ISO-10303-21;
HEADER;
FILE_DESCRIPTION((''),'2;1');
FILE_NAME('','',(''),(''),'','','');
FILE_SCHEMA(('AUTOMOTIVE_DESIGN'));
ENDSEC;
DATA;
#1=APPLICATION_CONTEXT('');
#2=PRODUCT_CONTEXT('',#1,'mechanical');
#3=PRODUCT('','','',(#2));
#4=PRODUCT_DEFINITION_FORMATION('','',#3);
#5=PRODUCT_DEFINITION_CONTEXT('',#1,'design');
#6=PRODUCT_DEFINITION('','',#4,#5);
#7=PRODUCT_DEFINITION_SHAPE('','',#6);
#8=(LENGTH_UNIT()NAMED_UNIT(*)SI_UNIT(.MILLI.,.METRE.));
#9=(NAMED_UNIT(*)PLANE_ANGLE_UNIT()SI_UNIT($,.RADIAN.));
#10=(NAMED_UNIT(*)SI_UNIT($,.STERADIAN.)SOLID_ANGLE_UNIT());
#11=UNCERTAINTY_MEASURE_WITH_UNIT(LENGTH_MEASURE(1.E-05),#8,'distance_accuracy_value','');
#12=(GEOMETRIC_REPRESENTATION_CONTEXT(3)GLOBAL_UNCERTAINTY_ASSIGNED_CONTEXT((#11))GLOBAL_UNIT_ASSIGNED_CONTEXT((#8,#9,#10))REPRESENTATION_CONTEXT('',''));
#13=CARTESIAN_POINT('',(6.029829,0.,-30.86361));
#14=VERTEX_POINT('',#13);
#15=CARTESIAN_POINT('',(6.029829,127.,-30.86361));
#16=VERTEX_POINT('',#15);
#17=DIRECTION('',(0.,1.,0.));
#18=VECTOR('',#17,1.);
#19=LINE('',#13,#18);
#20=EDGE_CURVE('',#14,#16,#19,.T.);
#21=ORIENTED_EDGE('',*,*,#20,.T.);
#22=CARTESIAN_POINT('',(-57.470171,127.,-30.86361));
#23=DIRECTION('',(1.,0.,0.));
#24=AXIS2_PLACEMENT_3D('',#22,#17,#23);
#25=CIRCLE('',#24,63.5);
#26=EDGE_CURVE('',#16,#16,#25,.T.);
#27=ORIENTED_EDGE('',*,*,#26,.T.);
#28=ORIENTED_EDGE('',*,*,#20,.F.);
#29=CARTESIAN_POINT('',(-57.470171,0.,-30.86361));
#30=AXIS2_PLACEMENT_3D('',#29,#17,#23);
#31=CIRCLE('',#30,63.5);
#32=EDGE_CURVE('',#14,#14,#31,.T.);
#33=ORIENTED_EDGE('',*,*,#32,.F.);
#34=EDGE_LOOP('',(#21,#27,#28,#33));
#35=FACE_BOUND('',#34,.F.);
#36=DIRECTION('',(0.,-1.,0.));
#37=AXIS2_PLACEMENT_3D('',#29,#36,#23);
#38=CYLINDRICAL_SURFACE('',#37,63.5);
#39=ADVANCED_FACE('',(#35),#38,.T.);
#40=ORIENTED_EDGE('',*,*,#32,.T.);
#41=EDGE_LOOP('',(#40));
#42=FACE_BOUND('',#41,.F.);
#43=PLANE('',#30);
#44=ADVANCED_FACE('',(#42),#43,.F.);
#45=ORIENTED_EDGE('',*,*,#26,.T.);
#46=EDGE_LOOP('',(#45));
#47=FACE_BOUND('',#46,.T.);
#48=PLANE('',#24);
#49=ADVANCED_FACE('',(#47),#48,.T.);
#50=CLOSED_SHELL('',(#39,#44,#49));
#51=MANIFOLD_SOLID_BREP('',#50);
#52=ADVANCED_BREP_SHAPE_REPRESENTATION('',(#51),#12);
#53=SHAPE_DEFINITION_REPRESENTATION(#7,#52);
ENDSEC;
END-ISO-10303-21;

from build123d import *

# Parameters (mm, degrees)
SKETCH2_R           = 63.5
BOSS_EXTRUDE1_DEPTH = 127


with BuildPart() as part:
    # Sketch2 → Boss-Extrude1 (new body)
    with BuildSketch(Plane(origin=(0, 0, 0), x_dir=(1, 0, 0), z_dir=(0, 1, 0))):
        with Locations((-57.470170572, 30.863610122)):
            Circle(SKETCH2_R)
    extrude(amount=BOSS_EXTRUDE1_DEPTH)


solid = part.part
